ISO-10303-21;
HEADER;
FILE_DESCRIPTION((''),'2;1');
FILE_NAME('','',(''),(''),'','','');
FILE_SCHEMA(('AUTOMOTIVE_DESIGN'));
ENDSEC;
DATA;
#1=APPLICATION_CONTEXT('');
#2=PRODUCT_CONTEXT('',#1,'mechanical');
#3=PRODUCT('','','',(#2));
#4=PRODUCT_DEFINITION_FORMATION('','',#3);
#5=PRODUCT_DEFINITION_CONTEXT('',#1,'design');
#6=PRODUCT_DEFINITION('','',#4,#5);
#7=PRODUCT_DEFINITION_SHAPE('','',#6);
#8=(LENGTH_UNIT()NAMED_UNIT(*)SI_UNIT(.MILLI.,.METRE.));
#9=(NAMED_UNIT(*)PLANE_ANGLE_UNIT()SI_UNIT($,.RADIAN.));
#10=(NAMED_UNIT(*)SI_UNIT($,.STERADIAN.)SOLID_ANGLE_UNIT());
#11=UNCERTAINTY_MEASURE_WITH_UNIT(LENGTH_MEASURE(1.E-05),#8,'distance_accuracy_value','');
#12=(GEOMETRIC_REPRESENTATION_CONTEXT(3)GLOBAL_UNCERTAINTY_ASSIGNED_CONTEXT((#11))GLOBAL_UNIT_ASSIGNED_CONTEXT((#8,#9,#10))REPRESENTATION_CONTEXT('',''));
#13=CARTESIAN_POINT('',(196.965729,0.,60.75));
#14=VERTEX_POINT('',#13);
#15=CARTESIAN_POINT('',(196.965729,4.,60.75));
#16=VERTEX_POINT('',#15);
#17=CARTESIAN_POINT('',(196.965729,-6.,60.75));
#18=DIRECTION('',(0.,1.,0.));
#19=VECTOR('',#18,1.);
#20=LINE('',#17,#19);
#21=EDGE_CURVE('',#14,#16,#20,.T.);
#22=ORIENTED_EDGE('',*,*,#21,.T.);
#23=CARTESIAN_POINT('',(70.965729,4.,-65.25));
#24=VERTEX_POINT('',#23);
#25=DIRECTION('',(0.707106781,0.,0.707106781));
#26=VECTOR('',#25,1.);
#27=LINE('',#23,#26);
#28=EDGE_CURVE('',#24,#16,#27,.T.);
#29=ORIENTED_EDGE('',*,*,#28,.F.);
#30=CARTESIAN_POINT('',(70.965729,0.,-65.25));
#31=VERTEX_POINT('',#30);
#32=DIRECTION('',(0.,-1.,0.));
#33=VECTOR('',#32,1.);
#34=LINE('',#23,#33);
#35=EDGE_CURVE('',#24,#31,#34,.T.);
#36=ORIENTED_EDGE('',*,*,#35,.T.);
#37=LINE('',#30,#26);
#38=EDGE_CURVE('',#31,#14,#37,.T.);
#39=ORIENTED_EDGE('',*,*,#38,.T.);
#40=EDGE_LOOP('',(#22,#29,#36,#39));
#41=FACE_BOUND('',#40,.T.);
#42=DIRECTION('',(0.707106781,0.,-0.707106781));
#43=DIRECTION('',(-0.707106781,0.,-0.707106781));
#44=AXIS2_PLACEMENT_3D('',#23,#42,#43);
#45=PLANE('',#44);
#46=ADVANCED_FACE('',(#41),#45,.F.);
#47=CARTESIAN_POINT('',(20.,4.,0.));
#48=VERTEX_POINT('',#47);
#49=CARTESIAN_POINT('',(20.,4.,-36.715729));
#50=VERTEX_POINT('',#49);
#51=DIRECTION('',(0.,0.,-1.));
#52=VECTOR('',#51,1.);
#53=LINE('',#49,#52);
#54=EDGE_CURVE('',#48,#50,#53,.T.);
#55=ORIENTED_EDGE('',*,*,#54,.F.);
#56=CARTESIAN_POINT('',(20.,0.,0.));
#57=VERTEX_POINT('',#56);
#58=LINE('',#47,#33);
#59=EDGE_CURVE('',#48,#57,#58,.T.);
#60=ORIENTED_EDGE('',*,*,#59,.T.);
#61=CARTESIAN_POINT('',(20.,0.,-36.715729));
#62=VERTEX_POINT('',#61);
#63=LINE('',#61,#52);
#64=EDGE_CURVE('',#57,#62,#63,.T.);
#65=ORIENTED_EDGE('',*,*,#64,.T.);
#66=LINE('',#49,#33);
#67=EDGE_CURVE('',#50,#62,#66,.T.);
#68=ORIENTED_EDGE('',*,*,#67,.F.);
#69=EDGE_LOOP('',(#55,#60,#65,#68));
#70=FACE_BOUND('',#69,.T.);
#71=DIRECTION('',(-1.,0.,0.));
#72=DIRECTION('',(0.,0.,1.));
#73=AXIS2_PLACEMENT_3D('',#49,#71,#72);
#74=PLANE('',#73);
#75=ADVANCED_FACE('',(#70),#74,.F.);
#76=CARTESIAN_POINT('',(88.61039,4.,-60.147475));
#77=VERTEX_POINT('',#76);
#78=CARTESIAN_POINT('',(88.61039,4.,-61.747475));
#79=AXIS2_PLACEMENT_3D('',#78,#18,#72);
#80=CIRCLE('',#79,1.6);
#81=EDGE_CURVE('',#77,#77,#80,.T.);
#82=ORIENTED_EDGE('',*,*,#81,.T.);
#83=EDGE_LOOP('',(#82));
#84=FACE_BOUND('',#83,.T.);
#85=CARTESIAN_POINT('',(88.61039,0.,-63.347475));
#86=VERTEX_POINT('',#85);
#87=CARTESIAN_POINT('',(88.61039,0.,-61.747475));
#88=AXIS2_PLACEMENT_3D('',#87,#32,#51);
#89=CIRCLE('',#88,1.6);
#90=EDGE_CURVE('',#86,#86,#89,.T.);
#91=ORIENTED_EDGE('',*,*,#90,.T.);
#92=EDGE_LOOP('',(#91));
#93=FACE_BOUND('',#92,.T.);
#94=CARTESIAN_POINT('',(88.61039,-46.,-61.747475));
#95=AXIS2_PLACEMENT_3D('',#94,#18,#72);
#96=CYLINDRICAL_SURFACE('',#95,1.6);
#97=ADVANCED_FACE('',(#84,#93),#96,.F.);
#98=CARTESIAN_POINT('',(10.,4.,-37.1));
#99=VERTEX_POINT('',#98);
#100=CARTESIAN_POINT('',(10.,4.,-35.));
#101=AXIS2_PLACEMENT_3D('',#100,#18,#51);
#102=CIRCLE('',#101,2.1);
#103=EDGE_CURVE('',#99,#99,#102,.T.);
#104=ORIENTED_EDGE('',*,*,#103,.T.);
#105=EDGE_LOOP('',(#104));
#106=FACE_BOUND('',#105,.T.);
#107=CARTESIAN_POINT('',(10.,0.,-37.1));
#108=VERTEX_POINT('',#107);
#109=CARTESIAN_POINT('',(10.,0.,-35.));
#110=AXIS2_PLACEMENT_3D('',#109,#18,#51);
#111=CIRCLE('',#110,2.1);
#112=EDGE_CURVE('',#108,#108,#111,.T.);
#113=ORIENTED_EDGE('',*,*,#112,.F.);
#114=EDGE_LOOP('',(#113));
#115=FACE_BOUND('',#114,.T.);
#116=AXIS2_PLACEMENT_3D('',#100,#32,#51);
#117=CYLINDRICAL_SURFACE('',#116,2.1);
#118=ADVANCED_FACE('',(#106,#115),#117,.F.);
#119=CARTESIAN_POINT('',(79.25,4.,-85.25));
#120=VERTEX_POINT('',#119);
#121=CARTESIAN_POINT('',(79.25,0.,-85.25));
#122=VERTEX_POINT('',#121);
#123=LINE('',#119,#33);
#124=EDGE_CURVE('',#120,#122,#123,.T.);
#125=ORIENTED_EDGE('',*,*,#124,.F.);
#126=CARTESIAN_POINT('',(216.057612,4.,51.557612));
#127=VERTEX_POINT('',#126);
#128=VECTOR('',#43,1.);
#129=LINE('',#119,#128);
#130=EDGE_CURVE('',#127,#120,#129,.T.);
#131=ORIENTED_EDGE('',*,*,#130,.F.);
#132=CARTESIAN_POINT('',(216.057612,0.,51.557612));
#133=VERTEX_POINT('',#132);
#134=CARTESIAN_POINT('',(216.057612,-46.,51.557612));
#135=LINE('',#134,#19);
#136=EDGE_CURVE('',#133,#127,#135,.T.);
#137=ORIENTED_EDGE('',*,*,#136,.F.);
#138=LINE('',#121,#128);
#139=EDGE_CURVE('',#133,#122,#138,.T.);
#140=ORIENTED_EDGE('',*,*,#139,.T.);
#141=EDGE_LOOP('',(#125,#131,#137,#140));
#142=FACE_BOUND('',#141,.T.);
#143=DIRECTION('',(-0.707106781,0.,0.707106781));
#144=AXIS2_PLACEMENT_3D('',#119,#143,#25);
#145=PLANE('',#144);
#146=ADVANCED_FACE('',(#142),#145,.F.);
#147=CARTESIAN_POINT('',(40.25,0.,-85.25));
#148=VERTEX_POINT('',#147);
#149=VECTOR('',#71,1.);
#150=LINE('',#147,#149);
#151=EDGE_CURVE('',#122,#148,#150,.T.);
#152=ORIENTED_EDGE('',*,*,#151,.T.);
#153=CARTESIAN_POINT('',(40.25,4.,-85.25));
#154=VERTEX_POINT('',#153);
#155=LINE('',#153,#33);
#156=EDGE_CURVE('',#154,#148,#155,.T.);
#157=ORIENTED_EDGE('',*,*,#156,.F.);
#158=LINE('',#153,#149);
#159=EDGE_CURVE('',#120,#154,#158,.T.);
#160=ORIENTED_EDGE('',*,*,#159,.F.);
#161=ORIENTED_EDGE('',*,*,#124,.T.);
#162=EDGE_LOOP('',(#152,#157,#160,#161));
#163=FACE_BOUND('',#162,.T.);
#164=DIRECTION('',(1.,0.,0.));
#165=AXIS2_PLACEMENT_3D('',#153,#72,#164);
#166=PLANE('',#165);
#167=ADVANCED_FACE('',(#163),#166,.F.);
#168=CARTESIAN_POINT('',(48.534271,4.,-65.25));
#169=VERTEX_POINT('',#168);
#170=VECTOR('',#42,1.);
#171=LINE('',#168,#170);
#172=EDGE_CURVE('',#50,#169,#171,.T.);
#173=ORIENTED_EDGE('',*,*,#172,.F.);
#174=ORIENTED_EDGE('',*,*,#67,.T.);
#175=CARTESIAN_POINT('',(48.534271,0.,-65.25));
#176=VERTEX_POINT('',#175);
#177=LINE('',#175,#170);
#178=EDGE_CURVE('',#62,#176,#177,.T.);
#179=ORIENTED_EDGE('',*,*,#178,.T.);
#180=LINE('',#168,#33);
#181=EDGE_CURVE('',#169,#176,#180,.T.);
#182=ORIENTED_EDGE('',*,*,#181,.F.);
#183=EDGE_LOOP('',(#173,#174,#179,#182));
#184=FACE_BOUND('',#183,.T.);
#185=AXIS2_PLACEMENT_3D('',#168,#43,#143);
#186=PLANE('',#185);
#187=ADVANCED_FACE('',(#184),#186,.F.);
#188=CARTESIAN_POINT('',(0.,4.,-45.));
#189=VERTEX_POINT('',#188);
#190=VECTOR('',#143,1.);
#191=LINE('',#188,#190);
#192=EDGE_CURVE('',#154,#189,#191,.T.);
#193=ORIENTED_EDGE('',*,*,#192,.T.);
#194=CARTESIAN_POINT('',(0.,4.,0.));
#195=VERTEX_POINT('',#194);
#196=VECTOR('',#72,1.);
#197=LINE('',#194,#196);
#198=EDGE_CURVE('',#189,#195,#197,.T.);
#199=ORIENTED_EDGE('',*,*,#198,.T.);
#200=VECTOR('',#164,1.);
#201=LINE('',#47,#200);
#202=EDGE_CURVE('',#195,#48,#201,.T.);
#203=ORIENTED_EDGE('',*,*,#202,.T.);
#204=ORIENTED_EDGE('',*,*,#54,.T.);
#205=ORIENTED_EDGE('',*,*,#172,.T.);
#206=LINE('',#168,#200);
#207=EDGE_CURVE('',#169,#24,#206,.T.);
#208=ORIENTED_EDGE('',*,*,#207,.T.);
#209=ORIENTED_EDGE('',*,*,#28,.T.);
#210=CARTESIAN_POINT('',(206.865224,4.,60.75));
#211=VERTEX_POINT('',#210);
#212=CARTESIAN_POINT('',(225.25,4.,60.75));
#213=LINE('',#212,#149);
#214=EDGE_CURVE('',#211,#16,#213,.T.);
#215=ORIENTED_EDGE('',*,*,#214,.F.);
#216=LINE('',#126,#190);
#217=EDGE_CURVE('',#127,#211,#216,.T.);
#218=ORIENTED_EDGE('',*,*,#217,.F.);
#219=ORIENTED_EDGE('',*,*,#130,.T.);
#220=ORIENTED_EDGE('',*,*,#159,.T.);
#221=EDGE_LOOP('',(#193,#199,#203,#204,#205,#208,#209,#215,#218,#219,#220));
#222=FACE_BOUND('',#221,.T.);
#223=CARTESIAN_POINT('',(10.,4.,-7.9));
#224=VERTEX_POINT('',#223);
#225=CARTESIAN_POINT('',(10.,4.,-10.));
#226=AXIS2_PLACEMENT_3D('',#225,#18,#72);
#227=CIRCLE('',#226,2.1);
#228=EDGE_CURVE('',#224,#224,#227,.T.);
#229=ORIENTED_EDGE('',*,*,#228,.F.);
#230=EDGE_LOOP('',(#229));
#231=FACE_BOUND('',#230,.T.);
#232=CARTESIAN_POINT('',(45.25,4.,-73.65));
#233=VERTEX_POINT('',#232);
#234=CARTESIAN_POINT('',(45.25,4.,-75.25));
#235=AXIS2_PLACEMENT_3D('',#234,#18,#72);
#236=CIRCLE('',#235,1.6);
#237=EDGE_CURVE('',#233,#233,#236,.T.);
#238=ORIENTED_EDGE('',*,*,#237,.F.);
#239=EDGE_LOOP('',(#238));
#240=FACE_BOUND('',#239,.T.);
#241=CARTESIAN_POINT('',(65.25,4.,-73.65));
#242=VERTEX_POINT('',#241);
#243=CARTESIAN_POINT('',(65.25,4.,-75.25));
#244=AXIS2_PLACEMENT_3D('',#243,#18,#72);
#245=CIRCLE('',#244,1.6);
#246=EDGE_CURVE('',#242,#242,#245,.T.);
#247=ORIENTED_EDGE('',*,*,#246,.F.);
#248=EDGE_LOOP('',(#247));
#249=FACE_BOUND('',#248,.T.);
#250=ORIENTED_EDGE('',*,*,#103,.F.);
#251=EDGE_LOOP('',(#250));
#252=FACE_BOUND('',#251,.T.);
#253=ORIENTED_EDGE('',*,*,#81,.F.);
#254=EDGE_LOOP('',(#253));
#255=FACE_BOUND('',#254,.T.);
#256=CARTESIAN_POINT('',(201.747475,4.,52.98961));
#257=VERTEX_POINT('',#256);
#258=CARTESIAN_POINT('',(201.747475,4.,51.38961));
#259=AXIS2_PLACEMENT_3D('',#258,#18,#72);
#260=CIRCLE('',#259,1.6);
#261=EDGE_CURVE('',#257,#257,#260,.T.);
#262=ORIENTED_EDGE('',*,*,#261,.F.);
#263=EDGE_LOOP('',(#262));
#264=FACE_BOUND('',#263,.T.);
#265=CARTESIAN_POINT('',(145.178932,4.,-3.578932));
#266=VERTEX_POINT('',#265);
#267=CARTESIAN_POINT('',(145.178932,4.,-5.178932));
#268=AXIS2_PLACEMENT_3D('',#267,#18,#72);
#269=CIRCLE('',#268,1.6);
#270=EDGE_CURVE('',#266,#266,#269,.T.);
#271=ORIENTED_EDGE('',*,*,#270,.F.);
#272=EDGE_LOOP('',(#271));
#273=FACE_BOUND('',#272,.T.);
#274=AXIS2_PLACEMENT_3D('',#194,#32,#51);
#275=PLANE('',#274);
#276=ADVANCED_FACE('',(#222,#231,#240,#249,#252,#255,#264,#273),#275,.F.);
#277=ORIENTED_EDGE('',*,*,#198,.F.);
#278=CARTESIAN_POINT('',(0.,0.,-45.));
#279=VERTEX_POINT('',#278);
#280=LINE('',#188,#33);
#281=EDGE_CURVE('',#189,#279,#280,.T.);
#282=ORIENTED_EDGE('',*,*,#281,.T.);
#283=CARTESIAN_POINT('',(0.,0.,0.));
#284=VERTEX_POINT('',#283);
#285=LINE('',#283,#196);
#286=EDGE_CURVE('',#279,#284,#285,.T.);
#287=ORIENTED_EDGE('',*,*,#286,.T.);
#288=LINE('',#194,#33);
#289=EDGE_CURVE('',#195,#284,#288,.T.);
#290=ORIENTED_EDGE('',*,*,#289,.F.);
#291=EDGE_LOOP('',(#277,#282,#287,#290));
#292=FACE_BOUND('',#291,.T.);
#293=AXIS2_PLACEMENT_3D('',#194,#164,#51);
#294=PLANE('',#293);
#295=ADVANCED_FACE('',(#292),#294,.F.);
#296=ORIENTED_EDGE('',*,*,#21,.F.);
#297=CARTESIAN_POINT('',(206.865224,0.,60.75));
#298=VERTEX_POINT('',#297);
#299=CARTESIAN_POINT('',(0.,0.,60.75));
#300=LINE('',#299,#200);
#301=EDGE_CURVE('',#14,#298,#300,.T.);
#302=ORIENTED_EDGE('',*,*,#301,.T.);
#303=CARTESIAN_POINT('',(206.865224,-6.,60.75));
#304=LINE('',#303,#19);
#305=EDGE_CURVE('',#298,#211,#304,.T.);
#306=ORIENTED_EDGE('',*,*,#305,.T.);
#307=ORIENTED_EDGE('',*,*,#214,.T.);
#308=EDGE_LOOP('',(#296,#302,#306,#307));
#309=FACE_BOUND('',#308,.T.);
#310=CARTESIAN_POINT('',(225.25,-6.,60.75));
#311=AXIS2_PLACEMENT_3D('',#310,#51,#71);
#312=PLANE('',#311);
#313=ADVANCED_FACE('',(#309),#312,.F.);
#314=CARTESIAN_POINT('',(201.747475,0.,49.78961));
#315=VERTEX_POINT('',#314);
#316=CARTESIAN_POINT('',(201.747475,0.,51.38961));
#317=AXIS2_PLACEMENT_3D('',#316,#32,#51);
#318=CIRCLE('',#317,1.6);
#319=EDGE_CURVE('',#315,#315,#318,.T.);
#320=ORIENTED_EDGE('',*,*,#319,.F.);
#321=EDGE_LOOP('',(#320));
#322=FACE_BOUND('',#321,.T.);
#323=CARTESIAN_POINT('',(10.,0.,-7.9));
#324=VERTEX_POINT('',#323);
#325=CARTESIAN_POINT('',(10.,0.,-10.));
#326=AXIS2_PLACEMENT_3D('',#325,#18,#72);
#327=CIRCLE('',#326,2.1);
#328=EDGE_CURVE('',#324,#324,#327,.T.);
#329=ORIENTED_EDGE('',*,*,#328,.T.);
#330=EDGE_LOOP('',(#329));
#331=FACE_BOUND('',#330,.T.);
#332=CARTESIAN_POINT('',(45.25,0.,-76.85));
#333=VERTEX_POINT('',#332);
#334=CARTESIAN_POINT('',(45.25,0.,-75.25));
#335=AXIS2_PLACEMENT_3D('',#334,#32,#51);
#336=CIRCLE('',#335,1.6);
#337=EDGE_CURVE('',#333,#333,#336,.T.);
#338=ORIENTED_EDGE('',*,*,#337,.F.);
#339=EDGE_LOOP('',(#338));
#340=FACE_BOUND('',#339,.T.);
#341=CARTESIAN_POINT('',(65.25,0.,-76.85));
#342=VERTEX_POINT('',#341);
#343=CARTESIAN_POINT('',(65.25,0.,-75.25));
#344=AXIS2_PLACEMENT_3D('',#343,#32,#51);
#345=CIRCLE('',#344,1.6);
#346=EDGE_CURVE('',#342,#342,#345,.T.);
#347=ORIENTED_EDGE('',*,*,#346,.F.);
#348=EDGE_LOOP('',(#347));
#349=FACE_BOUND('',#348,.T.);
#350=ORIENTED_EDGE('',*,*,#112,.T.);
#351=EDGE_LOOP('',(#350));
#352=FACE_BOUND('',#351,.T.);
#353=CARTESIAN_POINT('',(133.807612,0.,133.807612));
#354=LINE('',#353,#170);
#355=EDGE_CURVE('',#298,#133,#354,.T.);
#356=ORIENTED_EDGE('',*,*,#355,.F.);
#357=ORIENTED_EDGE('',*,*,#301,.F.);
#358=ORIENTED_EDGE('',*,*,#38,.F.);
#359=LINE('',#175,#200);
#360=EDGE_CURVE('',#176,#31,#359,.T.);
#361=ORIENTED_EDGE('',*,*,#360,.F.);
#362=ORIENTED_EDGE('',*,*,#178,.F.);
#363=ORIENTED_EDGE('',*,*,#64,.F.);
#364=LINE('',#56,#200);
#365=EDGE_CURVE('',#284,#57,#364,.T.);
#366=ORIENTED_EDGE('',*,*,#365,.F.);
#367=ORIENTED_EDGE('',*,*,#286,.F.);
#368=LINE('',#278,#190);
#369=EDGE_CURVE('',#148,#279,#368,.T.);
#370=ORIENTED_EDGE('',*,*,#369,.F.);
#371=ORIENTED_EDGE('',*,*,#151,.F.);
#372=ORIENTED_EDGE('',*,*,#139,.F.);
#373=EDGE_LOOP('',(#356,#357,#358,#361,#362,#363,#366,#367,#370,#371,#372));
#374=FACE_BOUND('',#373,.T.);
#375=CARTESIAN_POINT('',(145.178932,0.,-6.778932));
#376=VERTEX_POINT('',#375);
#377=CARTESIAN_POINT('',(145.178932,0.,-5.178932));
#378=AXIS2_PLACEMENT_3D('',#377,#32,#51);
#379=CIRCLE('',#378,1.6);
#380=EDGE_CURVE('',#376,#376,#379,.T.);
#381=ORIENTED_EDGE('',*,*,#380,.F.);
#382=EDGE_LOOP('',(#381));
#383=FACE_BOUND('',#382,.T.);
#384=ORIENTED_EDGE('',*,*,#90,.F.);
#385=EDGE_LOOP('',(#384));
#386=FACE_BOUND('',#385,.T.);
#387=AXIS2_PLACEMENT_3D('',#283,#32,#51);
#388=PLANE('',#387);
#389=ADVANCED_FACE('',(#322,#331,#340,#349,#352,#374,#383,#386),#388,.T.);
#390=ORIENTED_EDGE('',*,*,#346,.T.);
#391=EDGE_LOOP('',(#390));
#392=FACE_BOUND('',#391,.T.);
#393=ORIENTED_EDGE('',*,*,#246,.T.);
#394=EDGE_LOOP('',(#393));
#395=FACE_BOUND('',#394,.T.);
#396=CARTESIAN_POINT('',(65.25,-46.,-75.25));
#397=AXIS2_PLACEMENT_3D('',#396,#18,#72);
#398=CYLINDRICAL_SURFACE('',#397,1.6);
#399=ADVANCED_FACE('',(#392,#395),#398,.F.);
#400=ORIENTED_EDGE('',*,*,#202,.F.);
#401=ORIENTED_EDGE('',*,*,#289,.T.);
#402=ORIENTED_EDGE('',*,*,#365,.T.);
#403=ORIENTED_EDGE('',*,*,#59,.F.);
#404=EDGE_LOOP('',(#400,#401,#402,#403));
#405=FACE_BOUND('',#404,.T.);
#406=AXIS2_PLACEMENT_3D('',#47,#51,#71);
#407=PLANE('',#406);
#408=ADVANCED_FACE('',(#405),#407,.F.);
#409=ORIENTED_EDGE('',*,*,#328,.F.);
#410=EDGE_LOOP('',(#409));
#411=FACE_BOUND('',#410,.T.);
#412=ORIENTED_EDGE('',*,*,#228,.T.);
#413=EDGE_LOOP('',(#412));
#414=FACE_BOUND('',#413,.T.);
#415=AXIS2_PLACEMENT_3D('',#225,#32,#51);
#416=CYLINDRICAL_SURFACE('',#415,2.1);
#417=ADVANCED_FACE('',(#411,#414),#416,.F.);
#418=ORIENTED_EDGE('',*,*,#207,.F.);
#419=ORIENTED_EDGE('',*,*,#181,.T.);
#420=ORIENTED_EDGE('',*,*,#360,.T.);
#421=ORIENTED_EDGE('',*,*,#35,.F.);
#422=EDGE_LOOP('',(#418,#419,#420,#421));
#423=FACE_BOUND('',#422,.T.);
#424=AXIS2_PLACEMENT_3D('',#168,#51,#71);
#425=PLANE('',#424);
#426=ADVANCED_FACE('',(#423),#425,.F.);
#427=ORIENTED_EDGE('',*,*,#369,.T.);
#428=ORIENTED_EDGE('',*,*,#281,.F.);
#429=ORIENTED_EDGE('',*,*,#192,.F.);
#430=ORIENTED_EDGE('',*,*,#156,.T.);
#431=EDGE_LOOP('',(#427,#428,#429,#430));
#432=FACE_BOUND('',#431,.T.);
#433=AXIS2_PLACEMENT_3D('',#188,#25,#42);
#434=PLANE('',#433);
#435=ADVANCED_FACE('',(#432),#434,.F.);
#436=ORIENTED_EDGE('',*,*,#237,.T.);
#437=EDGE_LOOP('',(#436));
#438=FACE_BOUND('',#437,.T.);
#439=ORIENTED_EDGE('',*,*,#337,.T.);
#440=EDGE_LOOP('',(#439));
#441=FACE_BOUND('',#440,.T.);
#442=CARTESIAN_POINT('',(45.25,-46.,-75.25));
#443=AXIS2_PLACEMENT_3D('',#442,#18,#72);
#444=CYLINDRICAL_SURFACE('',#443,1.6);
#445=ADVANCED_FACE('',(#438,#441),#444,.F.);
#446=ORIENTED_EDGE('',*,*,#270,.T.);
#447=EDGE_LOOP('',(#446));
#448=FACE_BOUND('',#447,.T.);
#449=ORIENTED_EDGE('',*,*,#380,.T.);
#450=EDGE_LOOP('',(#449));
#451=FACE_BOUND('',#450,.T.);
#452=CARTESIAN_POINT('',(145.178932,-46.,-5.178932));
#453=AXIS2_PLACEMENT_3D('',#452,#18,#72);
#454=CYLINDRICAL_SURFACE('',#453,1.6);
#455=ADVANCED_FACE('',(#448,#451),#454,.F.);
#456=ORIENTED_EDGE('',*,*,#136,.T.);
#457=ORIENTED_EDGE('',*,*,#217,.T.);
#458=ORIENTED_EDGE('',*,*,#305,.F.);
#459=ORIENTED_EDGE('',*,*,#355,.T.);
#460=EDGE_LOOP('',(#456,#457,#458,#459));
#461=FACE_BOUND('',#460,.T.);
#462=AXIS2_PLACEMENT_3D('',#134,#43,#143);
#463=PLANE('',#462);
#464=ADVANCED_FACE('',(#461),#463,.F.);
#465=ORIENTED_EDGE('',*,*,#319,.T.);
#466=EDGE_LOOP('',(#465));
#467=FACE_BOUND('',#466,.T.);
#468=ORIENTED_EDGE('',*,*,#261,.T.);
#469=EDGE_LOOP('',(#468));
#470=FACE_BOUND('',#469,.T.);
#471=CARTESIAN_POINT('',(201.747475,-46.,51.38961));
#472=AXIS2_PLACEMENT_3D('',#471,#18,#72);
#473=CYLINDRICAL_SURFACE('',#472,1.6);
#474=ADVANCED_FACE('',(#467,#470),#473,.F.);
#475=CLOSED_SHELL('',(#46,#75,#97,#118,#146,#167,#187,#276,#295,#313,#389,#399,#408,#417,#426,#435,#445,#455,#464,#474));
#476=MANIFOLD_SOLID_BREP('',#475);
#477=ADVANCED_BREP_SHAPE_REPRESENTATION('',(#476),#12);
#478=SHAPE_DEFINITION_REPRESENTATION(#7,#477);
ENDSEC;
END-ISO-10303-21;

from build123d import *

# Parameters (mm, degrees)
SKETCH_1_R          = 2.1
EXTRUDE_1_DEPTH     = 4
CUT_EXTRUDE_1_DEPTH = 10
SKETCH_3_R          = 1.6
CUT_EXTRUDE_2_DEPTH = 50
CUT_EXTRUDE_3_DEPTH = 50
SKETCH_5_R          = 1.6
CUT_EXTRUDE_4_DEPTH = 50


with BuildPart() as part:
    # 草图1 → 凸台-拉伸1 (new body)
    with BuildSketch(Plane(origin=(0, 0, 0), x_dir=(1, 0, 0), z_dir=(0, 1, 0))):
        Polygon((20, 0), (0, 0), (0, 45), (40.25, 85.25), (79.25, 85.25), (225.25, -60.75), (225.25, -99.75), (185, -140), (140, -140), (140, -120), (176.715728753, -120), (205.25, -91.465728753), (205.25, -69.034271247), (70.965728753, 65.25), (48.534271247, 65.25), (20, 36.715728753), align=None)
        with Locations(Location((10, 10, 0), (0, 0, 270))):
            Circle(SKETCH_1_R, mode=Mode.SUBTRACT)
        with Locations(Location((10, 35, 0), (0, 0, 90))):
            Circle(SKETCH_1_R, mode=Mode.SUBTRACT)
        with Locations(Location((175, -130, 0), (0, 0, 270))):
            Circle(SKETCH_1_R, mode=Mode.SUBTRACT)
        with Locations(Location((150, -130, 0), (0, 0, 90))):
            Circle(SKETCH_1_R, mode=Mode.SUBTRACT)
    extrude(amount=EXTRUDE_1_DEPTH)

    # 草图2 → 切除-拉伸1 (cut)
    with BuildSketch(Plane(origin=(0, 4, 0), x_dir=(1, 0, 0), z_dir=(0, 1, 0))):
        Polygon((225.25, -60.75), (225.25, -99.75), (185, -140), (140, -140), (140, -120), (176.715728753, -120), (205.25, -91.465728753), (205.25, -69.034271247), (196.965728753, -60.75), align=None)
    extrude(amount=-CUT_EXTRUDE_1_DEPTH, mode=Mode.SUBTRACT)

    # 草图3 → 切除-拉伸2 (cut)
    with BuildSketch(Plane(origin=(0, 4, 0), x_dir=(1, 0, 0), z_dir=(0, 1, 0))):
        with Locations(Location((201.747474683, -51.389610307, 0), (0, 0, 270))):
            Circle(SKETCH_3_R)
        with Locations(Location((88.610389693, 61.747474683, 0), (0, 0, 270))):
            Circle(SKETCH_3_R)
        with Locations(Location((145.178932188, 5.178932188, 0), (0, 0, 270))):
            Circle(SKETCH_3_R)
    extrude(amount=-CUT_EXTRUDE_2_DEPTH, mode=Mode.SUBTRACT)

    # 草图4 → 切除-拉伸3 (cut)
    with BuildSketch(Plane(origin=(0, 4, 0), x_dir=(1, 0, 0), z_dir=(0, 1, 0))):
        Polygon((225.25, -60.75), (216.057611845, -51.557611845), (206.865223689, -60.75), align=None)
    extrude(amount=-CUT_EXTRUDE_3_DEPTH, mode=Mode.SUBTRACT)

    # 草图5 → 切除-拉伸4 (cut)
    with BuildSketch(Plane(origin=(0, 4, 0), x_dir=(1, 0, 0), z_dir=(0, 1, 0))):
        with Locations(Location((65.25, 75.25, 0), (0, 0, 270))):
            Circle(SKETCH_5_R)
        with Locations(Location((45.25, 75.25, 0), (0, 0, 270))):
            Circle(SKETCH_5_R)
    extrude(amount=-CUT_EXTRUDE_4_DEPTH, mode=Mode.SUBTRACT)


solid = part.part
